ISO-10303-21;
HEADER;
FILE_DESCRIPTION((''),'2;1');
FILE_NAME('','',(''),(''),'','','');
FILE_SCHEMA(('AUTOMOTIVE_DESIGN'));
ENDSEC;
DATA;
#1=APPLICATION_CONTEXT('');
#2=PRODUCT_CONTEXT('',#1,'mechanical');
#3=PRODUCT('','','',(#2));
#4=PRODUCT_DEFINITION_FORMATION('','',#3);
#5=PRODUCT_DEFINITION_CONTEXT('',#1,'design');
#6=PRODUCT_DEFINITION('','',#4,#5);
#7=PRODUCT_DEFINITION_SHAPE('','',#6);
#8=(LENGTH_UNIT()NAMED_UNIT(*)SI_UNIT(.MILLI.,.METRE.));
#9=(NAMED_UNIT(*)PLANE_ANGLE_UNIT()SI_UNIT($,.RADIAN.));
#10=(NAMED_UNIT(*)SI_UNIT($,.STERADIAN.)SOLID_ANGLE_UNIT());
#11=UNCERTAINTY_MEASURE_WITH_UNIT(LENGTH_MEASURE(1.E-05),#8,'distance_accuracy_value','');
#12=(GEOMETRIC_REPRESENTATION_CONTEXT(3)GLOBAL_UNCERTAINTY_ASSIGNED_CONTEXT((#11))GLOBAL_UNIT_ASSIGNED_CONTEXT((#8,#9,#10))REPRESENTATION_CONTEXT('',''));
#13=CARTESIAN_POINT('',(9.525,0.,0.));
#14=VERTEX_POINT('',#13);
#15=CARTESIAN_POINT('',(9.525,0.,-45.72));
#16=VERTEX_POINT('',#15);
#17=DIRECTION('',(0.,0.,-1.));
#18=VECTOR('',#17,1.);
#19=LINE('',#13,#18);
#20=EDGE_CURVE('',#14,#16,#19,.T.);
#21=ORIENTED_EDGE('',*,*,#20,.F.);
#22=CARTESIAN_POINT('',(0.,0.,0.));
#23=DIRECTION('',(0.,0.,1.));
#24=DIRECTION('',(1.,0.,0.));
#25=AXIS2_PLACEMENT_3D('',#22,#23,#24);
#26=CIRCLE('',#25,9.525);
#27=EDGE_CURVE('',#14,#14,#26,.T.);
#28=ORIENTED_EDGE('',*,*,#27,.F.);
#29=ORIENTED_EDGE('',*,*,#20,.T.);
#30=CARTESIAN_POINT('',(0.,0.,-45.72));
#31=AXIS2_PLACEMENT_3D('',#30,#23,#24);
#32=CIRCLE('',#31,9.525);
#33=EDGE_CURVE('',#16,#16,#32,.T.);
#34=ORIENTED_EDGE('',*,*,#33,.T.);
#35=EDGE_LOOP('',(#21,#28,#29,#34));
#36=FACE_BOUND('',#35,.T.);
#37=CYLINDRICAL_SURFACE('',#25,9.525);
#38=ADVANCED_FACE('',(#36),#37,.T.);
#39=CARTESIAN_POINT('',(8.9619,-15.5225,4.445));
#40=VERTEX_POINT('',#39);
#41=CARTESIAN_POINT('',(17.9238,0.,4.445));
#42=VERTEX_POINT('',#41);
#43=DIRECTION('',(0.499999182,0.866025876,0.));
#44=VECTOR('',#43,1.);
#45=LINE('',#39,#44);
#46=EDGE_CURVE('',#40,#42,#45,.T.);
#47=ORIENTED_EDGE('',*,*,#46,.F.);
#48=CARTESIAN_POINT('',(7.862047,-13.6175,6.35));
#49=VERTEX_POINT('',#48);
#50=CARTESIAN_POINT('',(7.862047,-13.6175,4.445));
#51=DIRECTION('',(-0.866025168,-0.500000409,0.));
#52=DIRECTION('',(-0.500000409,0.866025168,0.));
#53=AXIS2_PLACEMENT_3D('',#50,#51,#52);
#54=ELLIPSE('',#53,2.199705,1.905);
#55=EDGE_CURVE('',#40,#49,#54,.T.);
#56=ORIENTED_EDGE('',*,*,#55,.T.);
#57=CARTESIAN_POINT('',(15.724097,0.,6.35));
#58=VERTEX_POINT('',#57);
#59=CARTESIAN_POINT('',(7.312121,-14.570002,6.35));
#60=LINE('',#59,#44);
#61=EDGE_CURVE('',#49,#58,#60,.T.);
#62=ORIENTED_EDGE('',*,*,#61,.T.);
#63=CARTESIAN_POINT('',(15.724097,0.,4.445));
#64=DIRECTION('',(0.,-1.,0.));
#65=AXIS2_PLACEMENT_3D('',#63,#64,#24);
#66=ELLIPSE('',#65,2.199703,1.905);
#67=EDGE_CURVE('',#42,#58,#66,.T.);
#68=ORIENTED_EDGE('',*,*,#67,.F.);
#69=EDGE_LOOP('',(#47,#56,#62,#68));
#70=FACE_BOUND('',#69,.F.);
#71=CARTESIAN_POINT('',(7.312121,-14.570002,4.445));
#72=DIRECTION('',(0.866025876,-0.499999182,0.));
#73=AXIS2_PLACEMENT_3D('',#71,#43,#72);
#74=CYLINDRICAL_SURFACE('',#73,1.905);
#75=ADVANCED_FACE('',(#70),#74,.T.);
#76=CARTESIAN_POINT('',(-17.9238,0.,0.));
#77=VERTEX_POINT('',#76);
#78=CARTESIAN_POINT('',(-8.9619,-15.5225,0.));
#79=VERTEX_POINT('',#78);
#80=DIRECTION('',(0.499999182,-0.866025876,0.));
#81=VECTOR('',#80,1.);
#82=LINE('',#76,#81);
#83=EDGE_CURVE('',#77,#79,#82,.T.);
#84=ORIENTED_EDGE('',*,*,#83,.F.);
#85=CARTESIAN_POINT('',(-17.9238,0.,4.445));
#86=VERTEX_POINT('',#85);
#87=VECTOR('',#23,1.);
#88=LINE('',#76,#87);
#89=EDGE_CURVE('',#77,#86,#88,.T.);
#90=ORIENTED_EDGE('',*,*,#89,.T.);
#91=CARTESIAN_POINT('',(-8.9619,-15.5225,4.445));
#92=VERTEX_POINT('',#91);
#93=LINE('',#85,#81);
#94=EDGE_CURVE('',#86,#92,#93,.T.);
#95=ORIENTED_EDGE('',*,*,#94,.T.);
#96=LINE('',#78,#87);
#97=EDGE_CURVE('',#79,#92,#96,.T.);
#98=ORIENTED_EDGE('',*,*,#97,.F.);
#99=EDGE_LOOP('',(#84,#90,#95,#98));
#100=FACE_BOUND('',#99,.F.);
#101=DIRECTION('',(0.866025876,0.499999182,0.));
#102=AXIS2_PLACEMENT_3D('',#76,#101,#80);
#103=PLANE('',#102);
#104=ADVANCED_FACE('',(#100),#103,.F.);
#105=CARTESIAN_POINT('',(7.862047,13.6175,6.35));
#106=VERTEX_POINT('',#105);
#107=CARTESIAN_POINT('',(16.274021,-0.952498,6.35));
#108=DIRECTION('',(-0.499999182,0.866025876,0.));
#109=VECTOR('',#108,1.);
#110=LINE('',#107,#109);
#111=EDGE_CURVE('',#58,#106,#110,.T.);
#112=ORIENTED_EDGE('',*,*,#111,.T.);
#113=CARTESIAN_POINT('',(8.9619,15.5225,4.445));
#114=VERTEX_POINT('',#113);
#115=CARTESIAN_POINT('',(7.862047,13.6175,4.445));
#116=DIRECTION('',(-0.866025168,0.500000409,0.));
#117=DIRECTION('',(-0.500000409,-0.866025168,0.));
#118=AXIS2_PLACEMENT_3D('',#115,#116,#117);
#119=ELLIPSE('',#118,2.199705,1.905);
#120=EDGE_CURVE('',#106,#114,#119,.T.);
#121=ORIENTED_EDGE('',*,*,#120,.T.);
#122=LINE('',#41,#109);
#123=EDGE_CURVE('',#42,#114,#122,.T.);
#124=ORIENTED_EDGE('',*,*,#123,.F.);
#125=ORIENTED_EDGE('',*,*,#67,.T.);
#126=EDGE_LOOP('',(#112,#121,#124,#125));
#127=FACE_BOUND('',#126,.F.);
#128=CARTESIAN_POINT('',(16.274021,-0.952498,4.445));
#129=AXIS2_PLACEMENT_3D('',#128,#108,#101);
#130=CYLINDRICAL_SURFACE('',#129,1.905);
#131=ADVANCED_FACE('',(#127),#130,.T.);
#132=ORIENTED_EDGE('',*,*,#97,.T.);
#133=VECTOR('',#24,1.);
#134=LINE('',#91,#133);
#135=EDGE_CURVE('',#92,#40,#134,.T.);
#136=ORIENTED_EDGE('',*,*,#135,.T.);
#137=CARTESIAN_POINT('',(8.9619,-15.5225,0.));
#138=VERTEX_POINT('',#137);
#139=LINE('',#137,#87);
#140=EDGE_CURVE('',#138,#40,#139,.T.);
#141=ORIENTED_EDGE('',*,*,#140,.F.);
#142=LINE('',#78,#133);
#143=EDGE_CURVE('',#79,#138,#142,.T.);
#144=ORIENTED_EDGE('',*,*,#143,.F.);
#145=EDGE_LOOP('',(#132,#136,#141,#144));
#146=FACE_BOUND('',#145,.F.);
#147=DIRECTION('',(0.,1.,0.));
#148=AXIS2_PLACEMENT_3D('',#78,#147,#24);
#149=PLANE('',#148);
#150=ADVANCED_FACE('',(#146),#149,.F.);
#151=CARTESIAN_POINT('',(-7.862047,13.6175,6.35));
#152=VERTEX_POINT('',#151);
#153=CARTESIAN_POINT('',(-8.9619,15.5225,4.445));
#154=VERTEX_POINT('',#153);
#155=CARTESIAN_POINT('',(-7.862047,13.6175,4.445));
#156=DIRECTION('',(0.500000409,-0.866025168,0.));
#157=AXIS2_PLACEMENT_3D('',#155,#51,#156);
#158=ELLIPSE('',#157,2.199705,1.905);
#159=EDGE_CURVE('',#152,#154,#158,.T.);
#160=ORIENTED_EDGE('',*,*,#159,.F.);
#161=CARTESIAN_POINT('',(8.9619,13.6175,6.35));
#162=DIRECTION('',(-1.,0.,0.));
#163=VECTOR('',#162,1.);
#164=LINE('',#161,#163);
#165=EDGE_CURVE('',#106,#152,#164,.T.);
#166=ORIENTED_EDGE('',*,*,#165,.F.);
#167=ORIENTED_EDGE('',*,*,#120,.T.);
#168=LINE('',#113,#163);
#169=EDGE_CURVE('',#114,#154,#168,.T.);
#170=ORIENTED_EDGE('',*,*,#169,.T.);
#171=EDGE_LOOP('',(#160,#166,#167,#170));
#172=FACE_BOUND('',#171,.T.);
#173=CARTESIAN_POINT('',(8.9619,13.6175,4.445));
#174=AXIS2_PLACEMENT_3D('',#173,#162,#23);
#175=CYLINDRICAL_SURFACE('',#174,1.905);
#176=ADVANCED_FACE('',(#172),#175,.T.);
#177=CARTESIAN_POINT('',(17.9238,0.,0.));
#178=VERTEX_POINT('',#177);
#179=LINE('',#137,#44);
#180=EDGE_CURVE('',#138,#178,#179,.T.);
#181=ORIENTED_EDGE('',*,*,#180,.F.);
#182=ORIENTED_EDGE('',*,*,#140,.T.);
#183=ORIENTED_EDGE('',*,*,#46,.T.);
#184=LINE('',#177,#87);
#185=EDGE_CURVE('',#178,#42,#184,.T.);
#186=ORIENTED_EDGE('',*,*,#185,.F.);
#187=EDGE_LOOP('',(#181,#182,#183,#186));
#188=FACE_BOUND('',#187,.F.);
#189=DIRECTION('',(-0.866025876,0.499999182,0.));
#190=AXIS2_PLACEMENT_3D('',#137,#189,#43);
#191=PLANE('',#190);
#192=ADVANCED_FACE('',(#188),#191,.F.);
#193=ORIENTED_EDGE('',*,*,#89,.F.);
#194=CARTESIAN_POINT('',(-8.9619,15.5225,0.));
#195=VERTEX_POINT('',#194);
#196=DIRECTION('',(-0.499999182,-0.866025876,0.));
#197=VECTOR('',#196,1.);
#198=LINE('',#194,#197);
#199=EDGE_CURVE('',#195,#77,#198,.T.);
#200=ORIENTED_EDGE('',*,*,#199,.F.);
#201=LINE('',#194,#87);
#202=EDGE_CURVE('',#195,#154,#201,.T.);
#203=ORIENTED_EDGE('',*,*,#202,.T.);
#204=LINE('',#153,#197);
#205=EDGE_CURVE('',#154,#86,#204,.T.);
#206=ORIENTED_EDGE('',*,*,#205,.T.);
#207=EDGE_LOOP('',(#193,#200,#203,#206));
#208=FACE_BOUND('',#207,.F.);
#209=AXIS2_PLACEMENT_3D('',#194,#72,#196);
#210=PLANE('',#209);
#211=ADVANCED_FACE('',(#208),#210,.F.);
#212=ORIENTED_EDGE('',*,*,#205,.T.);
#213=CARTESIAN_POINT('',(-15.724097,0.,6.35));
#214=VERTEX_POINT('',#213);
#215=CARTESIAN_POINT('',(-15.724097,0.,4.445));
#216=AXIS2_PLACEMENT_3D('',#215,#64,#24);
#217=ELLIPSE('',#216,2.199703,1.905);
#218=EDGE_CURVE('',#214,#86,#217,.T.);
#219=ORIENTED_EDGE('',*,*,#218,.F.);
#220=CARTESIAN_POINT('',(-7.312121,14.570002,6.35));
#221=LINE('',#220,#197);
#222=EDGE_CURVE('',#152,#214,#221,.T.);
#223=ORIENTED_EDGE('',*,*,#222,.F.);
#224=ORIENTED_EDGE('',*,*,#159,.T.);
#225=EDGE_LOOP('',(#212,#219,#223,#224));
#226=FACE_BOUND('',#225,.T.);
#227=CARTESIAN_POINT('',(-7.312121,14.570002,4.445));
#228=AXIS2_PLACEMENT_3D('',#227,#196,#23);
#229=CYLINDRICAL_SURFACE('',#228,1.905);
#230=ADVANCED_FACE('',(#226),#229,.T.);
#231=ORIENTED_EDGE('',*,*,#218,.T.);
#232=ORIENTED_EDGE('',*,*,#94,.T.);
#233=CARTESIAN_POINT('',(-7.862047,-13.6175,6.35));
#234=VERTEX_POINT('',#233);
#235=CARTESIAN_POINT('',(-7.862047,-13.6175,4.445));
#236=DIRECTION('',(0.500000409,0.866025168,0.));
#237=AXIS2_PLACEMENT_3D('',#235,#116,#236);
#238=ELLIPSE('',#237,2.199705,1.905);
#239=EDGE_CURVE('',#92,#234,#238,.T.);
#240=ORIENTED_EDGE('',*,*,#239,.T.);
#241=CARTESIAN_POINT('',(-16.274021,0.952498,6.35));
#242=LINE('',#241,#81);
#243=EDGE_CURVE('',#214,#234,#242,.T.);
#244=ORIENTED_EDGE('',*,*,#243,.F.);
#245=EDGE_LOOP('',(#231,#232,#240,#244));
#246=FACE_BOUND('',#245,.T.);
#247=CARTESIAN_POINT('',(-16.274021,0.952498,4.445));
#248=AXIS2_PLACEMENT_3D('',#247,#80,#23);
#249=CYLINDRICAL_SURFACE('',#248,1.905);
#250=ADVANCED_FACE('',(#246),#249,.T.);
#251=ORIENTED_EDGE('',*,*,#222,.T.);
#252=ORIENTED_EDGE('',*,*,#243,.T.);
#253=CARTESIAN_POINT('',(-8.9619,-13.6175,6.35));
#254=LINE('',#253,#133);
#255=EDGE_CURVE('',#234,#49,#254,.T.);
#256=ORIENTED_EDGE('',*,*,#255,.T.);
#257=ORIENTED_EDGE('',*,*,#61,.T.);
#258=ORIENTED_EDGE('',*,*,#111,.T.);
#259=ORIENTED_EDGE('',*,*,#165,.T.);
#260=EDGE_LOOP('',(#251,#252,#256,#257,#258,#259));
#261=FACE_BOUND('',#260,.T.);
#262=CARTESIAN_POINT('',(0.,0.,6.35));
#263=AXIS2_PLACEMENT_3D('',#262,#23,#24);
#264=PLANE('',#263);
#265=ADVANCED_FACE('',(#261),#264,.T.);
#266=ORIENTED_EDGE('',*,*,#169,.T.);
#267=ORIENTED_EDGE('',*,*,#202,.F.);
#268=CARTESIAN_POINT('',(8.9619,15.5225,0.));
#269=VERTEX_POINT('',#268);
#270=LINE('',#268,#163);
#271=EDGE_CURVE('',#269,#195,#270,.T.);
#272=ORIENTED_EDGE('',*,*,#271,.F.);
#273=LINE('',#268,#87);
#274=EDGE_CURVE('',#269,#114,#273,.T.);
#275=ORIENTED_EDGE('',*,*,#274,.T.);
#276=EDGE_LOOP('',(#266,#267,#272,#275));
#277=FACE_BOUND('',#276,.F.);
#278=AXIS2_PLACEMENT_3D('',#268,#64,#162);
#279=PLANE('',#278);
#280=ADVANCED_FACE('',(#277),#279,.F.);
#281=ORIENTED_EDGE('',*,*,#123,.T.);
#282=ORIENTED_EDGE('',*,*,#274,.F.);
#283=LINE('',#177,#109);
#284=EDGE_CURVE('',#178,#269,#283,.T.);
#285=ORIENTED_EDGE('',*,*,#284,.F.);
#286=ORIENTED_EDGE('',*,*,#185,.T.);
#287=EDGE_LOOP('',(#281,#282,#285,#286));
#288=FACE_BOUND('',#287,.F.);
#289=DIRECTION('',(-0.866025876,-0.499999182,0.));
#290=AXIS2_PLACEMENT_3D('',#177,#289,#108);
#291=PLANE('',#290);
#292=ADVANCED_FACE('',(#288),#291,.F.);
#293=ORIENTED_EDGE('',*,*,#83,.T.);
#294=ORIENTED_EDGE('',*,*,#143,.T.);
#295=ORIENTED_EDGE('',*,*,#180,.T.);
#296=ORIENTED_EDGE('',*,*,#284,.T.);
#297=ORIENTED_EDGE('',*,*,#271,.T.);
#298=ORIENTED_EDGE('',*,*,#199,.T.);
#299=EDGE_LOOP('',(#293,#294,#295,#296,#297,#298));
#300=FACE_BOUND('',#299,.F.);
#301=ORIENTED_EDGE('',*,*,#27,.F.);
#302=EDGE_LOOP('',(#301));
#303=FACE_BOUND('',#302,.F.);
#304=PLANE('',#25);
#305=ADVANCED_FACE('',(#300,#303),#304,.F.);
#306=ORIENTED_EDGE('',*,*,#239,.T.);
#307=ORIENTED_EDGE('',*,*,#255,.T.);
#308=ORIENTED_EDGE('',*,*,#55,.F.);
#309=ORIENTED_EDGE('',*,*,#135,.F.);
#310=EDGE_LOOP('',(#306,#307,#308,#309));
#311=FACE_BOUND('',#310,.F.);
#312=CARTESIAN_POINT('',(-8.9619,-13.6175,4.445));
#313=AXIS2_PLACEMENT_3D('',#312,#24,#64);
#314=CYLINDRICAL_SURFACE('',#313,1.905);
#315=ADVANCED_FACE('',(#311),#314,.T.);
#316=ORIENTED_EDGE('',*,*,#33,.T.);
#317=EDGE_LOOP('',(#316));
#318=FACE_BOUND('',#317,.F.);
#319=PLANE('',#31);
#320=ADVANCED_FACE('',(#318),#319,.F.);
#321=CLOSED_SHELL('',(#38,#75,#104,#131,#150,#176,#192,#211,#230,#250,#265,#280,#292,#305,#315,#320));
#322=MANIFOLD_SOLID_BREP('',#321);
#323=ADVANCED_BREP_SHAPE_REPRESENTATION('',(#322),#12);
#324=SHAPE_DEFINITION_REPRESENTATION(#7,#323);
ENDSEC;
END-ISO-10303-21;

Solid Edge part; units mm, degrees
sketch "Sketch1" plane through (0, 0, 0) normal (0, 0, 1) x (1, 0, 0)
  circle A0 centre (0, 0) radius 9.525
extrude "Protrusion1" add sketch "Sketch1" against normal blind 45.72
sketch "Sketch2" plane through (0, 0, 0) normal (0, 0, 1) x (1, 0, 0)
  line L0 (8.9619, -15.5225) -> (17.9238, 0)
  line L1 (17.9238, 0) -> (8.9619, 15.5225)
  line L2 (8.9619, 15.5225) -> (-8.9619, 15.5225)
  line L3 (-8.9619, 15.5225) -> (-17.9238, 0)
  line L4 (-17.9238, 0) -> (-8.9619, -15.5225)
  line L5 (-8.9619, -15.5225) -> (8.9619, -15.5225)
extrude "ExtrudedProtrusion_2" add sketch "Sketch2" along normal blind 6.35
fillet "Round_1" radius 1.905 6 edges at (13.4429, -7.7612, 6.35) (0, -15.5225, 6.35) (-13.4429, -7.7612, 6.35) (-13.4429, 7.7612, 6.35) (0, 15.5225, 6.35) (13.4429, 7.7612, 6.35)
